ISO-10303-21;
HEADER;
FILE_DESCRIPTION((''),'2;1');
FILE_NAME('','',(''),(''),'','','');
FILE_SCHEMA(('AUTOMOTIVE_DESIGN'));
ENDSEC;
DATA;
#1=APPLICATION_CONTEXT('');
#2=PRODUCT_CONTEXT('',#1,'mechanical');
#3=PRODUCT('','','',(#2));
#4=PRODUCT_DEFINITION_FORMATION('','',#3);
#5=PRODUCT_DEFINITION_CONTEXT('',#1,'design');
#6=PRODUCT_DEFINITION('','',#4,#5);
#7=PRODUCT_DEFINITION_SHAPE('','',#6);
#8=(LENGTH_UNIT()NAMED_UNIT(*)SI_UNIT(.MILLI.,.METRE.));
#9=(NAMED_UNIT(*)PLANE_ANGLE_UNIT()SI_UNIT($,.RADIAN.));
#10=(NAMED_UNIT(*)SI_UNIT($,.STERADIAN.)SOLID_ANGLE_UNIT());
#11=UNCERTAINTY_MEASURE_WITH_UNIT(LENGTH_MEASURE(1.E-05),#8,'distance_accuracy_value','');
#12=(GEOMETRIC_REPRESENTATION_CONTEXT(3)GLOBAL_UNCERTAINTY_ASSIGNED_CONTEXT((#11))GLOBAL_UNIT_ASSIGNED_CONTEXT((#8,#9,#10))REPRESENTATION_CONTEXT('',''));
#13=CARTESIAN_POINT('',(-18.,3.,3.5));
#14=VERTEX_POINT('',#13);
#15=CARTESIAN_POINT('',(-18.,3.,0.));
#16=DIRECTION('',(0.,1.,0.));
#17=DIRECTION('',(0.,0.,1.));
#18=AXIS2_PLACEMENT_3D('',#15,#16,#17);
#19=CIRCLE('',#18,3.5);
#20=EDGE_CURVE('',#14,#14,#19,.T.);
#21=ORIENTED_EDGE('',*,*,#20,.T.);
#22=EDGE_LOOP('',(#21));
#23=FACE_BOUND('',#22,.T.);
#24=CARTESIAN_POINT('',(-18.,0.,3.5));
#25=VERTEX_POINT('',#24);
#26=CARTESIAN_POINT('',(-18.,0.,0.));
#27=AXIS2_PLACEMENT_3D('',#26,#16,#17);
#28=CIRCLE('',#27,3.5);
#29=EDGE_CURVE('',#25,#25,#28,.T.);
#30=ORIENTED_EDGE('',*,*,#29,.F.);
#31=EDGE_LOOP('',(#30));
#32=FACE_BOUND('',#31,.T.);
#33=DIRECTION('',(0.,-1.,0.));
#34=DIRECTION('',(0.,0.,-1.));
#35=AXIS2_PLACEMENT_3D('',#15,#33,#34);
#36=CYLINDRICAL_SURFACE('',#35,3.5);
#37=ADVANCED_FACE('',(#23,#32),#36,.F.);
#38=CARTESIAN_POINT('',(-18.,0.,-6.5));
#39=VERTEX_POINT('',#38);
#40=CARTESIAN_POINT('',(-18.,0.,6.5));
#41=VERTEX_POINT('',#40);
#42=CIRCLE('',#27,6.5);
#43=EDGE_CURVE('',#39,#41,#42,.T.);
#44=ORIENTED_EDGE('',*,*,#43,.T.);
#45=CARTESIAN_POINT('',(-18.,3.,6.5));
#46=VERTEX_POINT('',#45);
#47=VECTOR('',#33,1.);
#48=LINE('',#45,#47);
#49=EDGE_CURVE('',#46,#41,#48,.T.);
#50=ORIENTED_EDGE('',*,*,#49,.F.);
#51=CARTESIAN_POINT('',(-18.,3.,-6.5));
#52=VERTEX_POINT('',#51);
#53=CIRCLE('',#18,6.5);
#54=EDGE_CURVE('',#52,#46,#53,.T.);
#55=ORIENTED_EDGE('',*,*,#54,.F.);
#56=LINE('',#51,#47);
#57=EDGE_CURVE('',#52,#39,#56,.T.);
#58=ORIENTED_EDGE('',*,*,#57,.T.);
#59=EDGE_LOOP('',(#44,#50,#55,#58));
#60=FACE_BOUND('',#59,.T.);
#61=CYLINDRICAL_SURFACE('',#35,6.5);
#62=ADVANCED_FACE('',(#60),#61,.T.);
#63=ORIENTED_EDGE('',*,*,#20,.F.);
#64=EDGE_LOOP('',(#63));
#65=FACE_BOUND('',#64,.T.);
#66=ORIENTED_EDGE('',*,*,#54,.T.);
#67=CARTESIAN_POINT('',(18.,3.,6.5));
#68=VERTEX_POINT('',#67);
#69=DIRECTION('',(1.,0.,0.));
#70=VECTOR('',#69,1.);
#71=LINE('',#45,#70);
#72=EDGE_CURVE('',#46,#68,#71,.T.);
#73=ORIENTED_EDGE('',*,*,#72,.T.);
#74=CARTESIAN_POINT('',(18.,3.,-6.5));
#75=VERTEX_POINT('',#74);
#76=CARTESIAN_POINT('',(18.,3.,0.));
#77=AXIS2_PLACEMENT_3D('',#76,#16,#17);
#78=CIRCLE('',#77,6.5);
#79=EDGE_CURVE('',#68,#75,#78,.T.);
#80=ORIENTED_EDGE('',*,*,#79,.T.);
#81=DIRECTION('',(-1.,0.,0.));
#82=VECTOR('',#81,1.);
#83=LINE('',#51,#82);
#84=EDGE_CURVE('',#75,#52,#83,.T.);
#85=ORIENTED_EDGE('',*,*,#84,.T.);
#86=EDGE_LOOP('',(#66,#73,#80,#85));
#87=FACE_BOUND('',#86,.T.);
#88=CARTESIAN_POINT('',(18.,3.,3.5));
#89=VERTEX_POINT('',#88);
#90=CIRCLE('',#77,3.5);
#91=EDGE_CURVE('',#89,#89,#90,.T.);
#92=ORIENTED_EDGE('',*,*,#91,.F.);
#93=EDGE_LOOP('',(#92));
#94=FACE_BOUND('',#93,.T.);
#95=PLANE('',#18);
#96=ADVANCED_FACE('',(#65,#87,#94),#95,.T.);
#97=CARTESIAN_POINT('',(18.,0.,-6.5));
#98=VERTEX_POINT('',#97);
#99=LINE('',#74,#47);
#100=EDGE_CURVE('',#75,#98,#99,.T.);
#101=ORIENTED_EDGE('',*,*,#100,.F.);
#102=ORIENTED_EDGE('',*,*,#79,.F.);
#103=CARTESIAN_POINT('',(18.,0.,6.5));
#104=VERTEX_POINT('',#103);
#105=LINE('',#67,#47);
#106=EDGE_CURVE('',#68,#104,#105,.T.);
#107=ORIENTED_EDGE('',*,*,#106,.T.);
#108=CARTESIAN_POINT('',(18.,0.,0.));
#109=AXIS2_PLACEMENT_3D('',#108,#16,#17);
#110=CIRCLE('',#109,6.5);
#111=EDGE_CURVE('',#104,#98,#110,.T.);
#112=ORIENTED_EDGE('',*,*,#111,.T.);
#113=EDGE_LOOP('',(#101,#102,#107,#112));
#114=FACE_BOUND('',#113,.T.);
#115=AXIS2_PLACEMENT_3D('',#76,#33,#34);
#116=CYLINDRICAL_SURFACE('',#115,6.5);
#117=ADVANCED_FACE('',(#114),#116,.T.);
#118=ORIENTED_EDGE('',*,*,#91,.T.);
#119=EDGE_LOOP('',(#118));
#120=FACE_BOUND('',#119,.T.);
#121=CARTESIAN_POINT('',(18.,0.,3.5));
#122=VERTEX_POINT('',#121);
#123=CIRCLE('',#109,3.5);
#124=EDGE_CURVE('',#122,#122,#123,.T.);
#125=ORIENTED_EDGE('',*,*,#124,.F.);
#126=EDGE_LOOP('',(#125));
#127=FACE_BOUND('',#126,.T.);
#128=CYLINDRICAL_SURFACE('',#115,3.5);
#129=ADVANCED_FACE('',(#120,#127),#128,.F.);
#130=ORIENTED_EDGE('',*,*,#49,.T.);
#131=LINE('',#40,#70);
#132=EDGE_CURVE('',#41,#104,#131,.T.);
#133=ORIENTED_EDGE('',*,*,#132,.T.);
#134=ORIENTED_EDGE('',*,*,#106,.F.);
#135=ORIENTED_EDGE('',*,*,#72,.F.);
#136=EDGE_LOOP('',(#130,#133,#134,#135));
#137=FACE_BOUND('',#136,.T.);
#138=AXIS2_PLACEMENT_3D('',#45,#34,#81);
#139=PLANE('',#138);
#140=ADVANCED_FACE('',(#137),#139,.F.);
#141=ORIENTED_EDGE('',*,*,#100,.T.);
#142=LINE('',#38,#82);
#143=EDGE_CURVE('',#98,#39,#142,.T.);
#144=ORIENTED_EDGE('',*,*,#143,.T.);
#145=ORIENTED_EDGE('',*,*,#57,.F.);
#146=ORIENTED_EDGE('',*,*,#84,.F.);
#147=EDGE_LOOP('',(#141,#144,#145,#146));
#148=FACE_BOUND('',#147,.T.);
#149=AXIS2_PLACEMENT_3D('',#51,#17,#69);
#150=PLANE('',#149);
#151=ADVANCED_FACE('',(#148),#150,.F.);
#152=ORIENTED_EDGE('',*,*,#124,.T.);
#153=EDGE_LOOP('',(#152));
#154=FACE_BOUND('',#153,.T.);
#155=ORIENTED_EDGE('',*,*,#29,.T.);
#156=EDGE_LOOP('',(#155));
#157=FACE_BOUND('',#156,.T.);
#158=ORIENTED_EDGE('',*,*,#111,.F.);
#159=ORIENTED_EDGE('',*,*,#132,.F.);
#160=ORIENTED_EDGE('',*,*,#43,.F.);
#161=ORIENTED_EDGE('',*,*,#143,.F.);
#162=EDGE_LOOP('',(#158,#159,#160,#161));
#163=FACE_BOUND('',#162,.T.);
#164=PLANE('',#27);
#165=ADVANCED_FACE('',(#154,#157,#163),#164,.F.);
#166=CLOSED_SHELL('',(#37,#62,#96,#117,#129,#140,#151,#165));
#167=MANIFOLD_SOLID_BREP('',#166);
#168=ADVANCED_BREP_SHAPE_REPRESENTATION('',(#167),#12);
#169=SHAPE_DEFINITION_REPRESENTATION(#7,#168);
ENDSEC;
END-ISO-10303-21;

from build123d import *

# Parameters (mm, degrees)
SKETCH1_R           = 3.5
BOSS_EXTRUDE1_DEPTH = 3


with BuildPart() as part:
    # Sketch1 → Boss-Extrude1 (new body)
    with BuildSketch(Plane(origin=(0, 0, 0), x_dir=(1, 0, 0), z_dir=(0, 1, 0))):
        with BuildLine():
            Line((-18, 6.5), (18, 6.5))
            ThreePointArc((18, 6.5), (24.5, 0), (18, -6.5))
            Line((18, -6.5), (-18, -6.5))
            ThreePointArc((-18, -6.5), (-24.5, 0), (-18, 6.5))
        make_face()
        with Locations(Location((-18, 0, 0), (0, 0, 270))):
            Circle(SKETCH1_R, mode=Mode.SUBTRACT)
        with Locations(Location((18, 0, 0), (0, 0, 270))):
            Circle(SKETCH1_R, mode=Mode.SUBTRACT)
    extrude(amount=BOSS_EXTRUDE1_DEPTH)


solid = part.part
